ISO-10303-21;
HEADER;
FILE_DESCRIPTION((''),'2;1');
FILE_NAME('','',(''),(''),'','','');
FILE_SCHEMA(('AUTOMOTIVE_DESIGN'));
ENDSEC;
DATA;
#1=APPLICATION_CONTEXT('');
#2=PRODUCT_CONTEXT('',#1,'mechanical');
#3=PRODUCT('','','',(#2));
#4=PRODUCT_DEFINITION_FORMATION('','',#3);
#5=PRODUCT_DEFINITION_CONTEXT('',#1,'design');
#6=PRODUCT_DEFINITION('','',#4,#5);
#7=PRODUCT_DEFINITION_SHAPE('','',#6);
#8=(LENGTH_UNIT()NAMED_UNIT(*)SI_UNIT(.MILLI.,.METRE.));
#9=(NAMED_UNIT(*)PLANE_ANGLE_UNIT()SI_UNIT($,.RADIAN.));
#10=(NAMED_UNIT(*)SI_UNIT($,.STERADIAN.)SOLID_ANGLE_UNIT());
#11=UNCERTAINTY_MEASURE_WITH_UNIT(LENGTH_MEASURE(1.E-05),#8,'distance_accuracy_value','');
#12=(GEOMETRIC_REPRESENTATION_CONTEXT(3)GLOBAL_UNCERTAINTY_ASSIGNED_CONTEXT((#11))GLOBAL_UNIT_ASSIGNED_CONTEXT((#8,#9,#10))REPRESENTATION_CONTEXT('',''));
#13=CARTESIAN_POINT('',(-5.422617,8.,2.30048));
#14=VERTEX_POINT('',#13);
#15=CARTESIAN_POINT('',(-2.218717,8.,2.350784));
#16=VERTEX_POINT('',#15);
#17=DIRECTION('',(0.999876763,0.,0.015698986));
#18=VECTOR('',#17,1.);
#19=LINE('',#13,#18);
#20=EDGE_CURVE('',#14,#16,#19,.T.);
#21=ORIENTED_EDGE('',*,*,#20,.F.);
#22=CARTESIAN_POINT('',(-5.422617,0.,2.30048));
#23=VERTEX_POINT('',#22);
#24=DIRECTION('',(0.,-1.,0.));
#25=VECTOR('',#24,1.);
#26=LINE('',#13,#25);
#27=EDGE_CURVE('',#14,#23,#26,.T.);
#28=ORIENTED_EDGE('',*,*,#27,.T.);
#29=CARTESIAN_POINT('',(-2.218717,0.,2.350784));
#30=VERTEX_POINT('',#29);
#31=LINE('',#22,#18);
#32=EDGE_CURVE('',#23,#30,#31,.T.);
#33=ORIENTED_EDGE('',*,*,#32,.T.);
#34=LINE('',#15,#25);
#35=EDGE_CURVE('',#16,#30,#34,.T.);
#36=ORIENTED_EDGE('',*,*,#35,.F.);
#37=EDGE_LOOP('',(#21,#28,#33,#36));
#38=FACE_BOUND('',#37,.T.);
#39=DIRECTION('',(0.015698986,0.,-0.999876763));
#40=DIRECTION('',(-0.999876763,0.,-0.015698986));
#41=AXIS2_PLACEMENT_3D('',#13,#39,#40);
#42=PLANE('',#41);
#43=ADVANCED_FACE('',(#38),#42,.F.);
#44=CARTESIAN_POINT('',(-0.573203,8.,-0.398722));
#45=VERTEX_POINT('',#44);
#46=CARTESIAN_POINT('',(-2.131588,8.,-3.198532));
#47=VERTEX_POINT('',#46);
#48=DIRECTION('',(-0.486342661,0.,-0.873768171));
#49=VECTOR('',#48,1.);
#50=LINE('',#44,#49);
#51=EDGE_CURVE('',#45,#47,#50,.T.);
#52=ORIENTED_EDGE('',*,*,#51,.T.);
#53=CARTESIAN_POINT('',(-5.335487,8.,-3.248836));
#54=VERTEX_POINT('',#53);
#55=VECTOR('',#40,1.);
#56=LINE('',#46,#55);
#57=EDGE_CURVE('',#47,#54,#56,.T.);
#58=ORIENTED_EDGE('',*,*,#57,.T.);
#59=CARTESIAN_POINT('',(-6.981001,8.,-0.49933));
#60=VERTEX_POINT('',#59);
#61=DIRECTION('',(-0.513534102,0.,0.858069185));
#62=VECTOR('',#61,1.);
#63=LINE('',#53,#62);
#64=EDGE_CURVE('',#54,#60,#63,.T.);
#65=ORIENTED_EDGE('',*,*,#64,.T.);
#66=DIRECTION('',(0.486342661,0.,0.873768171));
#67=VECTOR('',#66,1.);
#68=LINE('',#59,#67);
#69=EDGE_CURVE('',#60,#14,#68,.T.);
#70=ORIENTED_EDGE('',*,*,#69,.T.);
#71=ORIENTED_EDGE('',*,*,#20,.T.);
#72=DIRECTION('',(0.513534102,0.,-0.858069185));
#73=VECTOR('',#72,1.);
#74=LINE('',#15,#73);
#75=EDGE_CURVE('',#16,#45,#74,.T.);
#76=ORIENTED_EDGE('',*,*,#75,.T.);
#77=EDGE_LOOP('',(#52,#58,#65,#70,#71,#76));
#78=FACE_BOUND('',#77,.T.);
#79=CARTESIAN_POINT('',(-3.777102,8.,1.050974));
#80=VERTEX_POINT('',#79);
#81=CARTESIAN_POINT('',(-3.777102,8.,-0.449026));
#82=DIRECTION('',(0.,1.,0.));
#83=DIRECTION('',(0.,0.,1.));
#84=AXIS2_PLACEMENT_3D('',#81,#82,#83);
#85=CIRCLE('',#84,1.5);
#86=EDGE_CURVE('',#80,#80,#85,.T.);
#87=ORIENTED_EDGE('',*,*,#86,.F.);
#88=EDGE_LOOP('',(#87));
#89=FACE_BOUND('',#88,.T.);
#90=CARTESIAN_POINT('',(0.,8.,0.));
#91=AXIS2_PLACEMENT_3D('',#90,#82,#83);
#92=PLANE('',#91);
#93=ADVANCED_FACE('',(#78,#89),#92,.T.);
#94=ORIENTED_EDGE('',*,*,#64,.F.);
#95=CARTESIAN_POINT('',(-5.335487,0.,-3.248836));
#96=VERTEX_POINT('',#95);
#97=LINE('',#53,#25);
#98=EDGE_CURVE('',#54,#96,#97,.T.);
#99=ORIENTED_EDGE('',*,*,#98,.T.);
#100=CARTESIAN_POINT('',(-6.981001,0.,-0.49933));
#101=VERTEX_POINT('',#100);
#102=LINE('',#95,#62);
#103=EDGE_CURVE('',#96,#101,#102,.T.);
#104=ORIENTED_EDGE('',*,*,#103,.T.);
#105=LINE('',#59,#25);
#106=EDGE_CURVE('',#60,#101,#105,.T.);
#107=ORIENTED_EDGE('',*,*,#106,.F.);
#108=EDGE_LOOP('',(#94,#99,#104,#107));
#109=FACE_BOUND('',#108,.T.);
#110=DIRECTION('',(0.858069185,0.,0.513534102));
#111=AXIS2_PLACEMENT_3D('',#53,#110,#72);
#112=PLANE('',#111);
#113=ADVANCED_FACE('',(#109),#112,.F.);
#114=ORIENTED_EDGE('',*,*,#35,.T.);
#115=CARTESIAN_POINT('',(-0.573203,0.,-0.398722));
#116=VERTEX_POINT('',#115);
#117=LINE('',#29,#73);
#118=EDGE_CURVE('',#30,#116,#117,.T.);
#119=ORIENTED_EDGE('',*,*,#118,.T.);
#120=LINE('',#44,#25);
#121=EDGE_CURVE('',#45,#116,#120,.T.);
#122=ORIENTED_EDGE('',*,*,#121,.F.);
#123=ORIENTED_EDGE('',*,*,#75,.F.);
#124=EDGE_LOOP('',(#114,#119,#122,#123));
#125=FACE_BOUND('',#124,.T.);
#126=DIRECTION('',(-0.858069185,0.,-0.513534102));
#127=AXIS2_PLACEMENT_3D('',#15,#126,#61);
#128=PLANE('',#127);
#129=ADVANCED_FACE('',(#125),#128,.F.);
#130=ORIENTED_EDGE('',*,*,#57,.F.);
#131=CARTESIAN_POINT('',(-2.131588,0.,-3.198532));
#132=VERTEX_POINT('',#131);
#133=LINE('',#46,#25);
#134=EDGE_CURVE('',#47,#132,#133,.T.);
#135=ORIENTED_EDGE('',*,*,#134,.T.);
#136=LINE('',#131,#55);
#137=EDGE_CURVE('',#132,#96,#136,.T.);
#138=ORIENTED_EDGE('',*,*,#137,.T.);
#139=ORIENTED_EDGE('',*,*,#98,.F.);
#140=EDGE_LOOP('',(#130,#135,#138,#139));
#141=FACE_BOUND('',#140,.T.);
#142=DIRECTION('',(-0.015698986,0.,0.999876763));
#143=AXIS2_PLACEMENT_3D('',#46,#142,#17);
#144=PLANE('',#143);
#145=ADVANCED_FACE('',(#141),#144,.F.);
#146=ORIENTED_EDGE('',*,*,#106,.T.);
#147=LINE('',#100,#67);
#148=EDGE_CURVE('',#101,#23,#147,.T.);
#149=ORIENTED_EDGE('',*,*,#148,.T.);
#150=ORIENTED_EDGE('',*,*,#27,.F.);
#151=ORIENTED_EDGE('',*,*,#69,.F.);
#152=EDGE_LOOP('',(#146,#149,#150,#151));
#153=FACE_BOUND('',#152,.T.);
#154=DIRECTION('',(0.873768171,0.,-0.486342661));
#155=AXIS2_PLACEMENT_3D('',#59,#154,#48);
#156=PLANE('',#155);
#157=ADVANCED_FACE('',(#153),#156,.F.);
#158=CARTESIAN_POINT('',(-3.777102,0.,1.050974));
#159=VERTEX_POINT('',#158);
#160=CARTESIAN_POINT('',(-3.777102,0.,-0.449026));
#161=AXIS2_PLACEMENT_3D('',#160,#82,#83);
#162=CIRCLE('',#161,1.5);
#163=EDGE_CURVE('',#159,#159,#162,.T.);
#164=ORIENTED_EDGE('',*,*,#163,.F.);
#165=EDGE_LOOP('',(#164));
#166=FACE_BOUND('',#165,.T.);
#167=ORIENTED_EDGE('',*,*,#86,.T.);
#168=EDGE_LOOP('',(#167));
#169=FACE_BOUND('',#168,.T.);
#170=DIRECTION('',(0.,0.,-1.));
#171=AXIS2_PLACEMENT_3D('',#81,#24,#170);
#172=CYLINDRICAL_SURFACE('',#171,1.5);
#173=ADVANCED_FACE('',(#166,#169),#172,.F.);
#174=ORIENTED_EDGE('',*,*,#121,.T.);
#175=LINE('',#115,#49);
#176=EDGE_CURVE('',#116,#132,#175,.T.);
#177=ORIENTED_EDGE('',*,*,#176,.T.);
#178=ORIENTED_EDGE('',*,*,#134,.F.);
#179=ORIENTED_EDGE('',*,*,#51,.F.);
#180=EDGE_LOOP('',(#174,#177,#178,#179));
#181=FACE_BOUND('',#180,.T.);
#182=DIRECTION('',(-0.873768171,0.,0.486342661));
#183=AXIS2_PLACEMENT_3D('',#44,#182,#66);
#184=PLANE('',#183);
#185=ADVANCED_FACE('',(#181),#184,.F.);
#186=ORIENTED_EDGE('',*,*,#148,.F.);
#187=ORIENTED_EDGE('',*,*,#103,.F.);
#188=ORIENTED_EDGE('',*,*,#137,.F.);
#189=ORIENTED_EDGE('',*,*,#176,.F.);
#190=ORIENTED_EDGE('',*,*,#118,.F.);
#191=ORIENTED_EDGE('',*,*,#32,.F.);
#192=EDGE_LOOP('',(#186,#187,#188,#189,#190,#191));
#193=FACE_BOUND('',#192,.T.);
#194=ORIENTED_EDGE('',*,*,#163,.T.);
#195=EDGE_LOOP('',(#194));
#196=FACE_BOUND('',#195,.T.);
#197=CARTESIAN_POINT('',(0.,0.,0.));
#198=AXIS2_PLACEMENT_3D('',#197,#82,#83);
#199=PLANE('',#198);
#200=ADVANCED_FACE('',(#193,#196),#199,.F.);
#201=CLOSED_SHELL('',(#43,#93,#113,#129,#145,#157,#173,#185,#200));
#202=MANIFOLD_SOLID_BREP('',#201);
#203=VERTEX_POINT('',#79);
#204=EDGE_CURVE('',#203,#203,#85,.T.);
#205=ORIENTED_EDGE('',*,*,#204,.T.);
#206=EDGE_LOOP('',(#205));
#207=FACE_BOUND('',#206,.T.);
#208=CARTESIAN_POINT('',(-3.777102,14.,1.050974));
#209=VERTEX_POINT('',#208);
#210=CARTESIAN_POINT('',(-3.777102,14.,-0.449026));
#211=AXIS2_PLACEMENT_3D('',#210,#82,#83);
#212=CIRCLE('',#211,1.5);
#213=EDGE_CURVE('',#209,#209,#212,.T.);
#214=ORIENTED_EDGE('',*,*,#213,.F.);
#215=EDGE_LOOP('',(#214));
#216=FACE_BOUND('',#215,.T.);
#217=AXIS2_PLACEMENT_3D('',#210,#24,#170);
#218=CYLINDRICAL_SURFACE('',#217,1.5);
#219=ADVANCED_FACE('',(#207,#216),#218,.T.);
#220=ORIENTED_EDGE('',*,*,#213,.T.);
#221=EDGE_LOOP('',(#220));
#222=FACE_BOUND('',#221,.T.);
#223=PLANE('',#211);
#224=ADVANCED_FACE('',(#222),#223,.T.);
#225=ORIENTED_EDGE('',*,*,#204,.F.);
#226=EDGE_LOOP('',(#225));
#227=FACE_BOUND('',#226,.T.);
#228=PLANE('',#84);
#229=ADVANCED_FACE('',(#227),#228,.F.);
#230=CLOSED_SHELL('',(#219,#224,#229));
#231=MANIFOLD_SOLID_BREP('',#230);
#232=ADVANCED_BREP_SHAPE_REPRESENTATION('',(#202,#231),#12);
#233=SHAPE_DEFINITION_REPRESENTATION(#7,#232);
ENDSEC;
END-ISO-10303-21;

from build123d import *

# Parameters (mm, degrees)
SKETCH_1_R      = 1.5
EXTRUDE_1_DEPTH = 8
SKETCH_2_R      = 1.5
EXTRUDE_2_DEPTH = 6


with BuildPart() as part:
    # 草图1 → 凸台-拉伸1 (new body)
    with BuildSketch(Plane(origin=(0, 0, 0), x_dir=(1, 0, 0), z_dir=(0, 1, 0))):
        Polygon((-2.218717439, -2.350783953), (-0.573203199, 0.398721982), (-2.131588067, 3.198532083), (-5.335487174, 3.24883625), (-6.981001414, 0.499330315), (-5.422616546, -2.300479787), align=None)
        with Locations(Location((-3.777102307, 0.449026148, 0), (0, 0, 270))):
            Circle(SKETCH_1_R, mode=Mode.SUBTRACT)
    extrude(amount=EXTRUDE_1_DEPTH)


with BuildPart() as body_2:
    # 草图2 → 凸台-拉伸2 (new body)
    with BuildSketch(Plane(origin=(0, 8, 0), x_dir=(1, 0, 0), z_dir=(0, 1, 0))):
        with Locations(Location((-3.777102307, 0.449026148, 0), (0, 0, 270))):
            Circle(SKETCH_2_R)
    extrude(amount=EXTRUDE_2_DEPTH)


solid = Compound([part.part, body_2.part])
